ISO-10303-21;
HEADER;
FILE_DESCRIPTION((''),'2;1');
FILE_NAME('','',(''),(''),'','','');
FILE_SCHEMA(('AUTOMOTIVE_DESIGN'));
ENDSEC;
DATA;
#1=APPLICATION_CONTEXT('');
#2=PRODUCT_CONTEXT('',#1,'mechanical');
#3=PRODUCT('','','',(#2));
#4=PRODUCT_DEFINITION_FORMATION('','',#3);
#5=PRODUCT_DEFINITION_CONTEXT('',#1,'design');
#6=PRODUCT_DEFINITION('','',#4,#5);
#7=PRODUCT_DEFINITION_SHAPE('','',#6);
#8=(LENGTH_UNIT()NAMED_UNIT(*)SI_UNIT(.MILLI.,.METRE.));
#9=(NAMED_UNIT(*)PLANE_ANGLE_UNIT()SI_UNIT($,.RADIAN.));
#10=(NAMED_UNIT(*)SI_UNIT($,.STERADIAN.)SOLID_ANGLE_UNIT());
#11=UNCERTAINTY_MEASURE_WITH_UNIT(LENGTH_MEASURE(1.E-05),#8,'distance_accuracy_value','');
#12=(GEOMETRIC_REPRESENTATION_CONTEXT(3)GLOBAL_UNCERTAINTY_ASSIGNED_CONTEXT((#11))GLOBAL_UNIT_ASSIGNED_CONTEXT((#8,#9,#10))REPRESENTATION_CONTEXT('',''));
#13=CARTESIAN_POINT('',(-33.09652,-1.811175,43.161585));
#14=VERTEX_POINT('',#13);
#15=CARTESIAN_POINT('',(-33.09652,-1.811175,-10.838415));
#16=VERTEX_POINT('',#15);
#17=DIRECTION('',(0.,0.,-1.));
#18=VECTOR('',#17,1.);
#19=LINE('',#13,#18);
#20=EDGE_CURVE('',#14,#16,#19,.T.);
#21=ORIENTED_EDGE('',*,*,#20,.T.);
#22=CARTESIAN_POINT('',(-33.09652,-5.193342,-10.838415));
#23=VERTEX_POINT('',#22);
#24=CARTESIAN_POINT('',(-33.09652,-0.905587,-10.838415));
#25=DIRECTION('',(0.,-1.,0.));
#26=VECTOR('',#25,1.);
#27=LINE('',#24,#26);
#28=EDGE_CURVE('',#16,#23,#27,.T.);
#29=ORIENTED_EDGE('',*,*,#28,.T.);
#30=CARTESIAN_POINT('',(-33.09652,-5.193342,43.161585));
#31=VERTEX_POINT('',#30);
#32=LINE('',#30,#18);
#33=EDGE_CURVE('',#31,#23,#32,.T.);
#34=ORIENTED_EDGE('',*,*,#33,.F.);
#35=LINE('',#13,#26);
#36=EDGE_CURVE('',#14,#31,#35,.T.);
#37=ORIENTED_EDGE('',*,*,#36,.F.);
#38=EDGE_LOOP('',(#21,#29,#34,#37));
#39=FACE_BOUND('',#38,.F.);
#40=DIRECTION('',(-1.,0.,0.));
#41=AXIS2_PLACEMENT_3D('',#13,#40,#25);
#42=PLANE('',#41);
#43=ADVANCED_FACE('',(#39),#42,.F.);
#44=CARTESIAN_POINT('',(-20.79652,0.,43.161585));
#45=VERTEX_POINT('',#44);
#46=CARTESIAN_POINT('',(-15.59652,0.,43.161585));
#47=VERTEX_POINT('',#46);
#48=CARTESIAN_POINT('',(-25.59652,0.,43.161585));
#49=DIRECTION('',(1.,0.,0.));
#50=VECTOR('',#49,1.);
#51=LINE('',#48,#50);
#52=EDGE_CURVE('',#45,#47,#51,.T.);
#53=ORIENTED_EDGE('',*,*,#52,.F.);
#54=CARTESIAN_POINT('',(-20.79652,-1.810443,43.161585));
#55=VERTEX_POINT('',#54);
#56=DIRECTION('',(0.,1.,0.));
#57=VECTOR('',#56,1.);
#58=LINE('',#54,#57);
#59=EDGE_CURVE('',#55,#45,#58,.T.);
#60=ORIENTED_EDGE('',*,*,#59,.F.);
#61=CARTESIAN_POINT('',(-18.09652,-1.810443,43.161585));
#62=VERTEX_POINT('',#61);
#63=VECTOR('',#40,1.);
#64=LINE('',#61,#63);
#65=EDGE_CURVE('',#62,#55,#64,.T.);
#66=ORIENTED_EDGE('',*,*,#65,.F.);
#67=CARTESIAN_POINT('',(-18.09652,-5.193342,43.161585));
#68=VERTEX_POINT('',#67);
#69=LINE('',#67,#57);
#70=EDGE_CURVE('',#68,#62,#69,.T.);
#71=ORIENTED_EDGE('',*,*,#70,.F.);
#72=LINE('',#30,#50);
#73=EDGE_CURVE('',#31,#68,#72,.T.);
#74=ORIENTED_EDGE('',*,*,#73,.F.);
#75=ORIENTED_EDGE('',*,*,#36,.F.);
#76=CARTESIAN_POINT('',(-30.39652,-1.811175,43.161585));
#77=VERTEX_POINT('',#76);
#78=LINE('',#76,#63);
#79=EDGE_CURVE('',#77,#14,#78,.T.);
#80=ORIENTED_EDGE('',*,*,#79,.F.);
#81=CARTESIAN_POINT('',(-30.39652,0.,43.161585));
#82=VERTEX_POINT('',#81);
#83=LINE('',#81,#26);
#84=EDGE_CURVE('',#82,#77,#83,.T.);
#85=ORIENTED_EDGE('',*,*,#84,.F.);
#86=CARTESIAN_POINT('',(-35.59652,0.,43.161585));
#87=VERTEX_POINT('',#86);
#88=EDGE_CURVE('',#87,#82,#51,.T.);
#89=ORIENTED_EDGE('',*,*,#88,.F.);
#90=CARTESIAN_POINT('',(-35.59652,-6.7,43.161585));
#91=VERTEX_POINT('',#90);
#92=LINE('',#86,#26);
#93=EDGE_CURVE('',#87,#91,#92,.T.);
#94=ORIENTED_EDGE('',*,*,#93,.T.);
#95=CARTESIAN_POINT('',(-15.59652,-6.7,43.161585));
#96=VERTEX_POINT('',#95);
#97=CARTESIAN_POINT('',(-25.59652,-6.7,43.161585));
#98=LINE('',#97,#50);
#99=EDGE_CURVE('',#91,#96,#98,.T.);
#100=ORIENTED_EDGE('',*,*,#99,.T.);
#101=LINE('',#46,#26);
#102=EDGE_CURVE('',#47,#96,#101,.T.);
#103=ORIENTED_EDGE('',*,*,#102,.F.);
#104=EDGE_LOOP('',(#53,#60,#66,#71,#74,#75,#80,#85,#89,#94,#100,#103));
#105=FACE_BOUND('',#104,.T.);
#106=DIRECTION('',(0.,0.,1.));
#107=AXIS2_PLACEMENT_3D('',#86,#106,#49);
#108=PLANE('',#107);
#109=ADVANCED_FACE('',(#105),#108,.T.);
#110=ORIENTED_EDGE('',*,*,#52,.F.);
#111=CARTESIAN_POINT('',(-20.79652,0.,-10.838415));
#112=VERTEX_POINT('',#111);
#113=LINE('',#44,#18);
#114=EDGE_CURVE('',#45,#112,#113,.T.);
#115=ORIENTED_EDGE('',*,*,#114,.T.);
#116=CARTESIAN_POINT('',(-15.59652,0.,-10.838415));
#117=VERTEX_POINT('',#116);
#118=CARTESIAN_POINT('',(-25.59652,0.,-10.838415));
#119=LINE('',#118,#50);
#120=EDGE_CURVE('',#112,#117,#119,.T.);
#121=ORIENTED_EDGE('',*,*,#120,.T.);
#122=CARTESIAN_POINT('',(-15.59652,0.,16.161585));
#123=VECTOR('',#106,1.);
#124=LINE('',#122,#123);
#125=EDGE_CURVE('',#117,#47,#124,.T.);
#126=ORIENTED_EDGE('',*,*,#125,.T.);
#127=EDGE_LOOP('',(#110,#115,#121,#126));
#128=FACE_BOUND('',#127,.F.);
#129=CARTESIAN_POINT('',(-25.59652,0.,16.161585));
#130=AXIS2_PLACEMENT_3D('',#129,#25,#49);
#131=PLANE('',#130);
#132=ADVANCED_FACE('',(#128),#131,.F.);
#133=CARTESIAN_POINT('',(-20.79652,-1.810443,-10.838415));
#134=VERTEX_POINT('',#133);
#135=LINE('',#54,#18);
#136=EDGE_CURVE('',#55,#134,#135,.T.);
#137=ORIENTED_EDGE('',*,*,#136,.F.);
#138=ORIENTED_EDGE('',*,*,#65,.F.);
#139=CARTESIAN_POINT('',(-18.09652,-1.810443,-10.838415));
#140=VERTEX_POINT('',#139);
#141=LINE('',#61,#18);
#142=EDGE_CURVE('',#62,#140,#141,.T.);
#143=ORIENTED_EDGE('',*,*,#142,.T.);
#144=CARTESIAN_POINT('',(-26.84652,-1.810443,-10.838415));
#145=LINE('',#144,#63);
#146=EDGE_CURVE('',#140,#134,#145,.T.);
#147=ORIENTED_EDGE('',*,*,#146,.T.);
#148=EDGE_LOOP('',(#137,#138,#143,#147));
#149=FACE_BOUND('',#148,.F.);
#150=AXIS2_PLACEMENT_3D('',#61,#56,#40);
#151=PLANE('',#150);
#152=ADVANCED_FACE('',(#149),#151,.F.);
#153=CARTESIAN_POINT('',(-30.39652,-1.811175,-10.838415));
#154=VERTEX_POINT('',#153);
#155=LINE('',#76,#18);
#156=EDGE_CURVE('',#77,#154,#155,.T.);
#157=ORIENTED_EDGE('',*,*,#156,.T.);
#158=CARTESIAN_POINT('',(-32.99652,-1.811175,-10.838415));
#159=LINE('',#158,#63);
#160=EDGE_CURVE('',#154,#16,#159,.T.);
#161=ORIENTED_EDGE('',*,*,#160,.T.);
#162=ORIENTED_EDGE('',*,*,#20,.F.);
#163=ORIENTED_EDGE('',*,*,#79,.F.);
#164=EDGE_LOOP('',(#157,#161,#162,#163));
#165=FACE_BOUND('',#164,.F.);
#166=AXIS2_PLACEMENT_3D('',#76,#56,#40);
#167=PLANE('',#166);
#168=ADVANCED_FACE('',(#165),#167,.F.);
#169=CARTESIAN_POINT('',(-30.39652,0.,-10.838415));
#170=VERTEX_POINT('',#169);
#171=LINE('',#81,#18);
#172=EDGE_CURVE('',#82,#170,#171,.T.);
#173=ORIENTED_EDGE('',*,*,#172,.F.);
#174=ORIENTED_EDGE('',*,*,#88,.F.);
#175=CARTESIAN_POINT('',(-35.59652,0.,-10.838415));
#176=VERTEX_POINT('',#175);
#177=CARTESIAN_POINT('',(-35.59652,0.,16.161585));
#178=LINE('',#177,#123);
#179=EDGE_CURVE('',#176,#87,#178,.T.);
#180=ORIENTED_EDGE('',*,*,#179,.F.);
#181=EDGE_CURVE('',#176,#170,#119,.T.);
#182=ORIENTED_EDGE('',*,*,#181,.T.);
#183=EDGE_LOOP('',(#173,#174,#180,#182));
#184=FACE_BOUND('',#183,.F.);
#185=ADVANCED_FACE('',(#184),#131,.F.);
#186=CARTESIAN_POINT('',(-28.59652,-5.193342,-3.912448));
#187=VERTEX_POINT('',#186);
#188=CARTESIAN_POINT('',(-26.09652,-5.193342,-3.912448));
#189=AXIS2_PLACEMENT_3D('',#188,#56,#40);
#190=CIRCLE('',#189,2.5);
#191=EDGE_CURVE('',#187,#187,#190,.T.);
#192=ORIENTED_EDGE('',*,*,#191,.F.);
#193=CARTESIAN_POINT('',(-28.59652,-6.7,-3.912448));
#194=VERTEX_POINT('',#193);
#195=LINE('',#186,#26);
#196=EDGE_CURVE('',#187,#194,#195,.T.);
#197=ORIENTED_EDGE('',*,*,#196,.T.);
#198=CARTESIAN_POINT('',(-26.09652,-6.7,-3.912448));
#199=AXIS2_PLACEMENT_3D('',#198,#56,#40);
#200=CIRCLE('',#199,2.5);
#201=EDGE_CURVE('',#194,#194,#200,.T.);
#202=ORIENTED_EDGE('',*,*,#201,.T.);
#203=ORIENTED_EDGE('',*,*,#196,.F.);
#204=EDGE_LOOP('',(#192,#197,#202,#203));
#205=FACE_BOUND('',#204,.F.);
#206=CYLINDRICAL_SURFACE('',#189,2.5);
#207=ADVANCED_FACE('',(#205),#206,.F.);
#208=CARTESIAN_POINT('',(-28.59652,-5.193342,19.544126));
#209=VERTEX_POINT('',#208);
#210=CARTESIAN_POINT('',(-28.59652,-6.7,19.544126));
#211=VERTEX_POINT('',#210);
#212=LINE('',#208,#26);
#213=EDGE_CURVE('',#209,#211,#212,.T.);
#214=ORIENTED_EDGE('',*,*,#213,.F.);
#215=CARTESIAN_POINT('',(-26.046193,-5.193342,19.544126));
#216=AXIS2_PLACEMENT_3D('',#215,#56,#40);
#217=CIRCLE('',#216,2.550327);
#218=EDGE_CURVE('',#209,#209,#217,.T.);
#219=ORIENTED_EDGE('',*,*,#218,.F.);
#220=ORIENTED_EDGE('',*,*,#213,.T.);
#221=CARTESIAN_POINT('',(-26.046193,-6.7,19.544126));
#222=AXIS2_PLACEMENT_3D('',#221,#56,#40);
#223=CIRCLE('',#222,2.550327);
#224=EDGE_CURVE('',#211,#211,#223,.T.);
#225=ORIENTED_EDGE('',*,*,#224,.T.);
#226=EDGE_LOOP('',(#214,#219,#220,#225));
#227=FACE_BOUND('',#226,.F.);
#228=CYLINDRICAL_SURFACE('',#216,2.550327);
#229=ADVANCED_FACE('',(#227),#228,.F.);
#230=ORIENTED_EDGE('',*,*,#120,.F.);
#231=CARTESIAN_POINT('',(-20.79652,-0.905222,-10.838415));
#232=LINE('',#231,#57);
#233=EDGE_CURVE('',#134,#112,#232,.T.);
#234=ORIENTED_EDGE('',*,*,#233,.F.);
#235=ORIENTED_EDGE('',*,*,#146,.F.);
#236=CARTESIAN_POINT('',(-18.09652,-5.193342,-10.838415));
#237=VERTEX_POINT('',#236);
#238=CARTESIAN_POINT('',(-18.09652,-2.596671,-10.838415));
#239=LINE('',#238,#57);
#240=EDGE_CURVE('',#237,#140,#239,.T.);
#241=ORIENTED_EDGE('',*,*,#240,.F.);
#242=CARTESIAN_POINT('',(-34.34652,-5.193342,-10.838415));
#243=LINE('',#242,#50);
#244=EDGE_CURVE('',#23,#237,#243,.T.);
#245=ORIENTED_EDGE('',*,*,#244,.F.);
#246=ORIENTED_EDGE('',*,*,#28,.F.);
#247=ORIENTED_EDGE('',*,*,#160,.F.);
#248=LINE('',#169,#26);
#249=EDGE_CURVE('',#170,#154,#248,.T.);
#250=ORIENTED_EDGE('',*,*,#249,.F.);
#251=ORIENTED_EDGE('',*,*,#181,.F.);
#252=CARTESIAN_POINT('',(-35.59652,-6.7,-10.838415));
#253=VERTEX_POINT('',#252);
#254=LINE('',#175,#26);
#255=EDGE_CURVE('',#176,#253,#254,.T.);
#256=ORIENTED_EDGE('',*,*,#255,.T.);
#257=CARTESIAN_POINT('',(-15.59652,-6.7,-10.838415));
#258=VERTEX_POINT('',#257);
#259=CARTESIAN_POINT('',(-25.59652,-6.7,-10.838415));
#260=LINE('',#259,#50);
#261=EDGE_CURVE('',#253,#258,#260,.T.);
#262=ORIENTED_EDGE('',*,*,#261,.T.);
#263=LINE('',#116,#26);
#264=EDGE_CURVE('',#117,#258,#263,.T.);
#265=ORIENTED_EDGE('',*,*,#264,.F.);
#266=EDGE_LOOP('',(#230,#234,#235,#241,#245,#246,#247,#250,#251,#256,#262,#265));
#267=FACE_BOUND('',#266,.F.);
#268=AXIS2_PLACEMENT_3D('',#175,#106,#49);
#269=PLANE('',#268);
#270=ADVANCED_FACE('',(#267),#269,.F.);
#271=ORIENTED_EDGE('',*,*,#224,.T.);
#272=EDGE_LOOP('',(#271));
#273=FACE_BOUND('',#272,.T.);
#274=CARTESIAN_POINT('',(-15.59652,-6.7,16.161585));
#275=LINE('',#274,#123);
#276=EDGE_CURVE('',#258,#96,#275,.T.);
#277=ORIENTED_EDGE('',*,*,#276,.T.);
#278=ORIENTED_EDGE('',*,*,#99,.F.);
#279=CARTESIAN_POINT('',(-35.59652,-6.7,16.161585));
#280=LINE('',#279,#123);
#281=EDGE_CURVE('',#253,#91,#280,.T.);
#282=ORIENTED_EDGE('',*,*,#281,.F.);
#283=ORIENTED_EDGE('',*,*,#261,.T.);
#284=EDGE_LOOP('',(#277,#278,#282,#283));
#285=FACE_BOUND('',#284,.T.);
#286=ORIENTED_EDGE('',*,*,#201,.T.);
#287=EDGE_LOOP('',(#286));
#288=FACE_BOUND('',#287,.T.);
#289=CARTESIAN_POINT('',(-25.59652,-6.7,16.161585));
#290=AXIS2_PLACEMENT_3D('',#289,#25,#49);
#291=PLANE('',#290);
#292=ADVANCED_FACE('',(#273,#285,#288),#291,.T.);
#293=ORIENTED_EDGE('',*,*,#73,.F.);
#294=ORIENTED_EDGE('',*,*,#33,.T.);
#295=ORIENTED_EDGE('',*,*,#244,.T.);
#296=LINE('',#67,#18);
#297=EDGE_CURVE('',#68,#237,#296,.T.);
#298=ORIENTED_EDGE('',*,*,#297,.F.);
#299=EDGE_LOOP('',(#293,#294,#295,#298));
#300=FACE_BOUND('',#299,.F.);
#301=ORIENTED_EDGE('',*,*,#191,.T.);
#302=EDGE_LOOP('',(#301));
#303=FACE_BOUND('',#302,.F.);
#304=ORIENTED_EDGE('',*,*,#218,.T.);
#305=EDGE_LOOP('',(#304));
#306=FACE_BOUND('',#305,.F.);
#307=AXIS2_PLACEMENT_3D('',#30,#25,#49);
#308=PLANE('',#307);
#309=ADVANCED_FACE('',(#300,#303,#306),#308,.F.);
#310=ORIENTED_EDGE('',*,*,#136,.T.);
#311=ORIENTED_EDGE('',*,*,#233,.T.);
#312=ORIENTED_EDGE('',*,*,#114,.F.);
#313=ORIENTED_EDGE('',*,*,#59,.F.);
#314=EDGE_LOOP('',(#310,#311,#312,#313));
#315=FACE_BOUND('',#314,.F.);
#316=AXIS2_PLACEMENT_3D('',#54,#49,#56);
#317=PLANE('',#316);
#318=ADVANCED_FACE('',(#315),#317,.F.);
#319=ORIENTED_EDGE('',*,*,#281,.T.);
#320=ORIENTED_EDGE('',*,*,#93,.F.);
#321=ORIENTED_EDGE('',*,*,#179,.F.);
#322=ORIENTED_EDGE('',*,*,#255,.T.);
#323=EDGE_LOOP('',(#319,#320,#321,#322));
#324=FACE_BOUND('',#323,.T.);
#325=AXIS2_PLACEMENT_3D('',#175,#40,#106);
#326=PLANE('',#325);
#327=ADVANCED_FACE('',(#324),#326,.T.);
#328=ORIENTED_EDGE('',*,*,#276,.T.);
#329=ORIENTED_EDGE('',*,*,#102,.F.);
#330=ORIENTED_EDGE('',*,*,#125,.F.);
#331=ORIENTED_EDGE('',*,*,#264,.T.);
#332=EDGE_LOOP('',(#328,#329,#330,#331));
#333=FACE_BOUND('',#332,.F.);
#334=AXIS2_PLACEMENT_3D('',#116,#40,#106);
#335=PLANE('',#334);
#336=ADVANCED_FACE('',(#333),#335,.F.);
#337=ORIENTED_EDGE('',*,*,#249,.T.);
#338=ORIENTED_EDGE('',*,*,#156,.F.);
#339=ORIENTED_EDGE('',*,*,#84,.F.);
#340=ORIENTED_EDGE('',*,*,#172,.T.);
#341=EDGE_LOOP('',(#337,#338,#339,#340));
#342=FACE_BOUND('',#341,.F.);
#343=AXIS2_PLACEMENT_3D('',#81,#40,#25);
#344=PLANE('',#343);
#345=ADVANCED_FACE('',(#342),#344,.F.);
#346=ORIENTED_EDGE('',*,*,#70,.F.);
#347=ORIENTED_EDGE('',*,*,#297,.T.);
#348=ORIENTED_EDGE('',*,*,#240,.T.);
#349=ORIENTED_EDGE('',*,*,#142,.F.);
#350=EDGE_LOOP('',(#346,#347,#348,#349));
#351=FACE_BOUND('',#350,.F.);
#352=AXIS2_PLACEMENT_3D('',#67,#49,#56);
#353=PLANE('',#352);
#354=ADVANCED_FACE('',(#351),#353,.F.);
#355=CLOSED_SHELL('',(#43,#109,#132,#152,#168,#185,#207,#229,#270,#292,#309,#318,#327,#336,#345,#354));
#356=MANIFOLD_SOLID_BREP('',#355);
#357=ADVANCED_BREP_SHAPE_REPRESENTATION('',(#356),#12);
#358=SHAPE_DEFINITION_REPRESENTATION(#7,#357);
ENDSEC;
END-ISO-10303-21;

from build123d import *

# Parameters (mm, degrees)
F0_W     = 20
F0_H     = 54
F1_DEPTH = 6.7
F3_DEPTH = 67.5
F4_R     = 2.550327
F4_R_2   = 2.5
F5_DEPTH = 25


with BuildPart() as f1:
    # F0 (on Front) → F1 (new body)
    with BuildSketch(Plane.XZ):
        with Locations((-25.59652, 16.161585)):
            Rectangle(F0_W, F0_H)
    extrude(amount=F1_DEPTH)

    # F2 (on face) → F3 (cut)
    with BuildSketch(Plane.XY.offset(43.161585)):
        Polygon((-20.79652, -1.810443), (-20.79652, 0), (-30.39652, 0), (-30.39652, -1.811175), (-33.09652, -1.811175), (-33.09652, -5.193342), (-18.09652, -5.193342), (-18.09652, -1.810443), align=None)
    extrude(amount=-F3_DEPTH, mode=Mode.SUBTRACT)

    # F4 (on face) → F5 (cut)
    with BuildSketch(Plane(origin=(0, -5.193342, 0), x_dir=(-1, 0, 0), z_dir=(0, 1, 0))):
        with Locations((26.046193, 19.544126)):
            Circle(F4_R)
        with Locations((26.09652, -3.912448)):
            Circle(F4_R_2)
    extrude(amount=-F5_DEPTH, mode=Mode.SUBTRACT)


solid = f1.part
